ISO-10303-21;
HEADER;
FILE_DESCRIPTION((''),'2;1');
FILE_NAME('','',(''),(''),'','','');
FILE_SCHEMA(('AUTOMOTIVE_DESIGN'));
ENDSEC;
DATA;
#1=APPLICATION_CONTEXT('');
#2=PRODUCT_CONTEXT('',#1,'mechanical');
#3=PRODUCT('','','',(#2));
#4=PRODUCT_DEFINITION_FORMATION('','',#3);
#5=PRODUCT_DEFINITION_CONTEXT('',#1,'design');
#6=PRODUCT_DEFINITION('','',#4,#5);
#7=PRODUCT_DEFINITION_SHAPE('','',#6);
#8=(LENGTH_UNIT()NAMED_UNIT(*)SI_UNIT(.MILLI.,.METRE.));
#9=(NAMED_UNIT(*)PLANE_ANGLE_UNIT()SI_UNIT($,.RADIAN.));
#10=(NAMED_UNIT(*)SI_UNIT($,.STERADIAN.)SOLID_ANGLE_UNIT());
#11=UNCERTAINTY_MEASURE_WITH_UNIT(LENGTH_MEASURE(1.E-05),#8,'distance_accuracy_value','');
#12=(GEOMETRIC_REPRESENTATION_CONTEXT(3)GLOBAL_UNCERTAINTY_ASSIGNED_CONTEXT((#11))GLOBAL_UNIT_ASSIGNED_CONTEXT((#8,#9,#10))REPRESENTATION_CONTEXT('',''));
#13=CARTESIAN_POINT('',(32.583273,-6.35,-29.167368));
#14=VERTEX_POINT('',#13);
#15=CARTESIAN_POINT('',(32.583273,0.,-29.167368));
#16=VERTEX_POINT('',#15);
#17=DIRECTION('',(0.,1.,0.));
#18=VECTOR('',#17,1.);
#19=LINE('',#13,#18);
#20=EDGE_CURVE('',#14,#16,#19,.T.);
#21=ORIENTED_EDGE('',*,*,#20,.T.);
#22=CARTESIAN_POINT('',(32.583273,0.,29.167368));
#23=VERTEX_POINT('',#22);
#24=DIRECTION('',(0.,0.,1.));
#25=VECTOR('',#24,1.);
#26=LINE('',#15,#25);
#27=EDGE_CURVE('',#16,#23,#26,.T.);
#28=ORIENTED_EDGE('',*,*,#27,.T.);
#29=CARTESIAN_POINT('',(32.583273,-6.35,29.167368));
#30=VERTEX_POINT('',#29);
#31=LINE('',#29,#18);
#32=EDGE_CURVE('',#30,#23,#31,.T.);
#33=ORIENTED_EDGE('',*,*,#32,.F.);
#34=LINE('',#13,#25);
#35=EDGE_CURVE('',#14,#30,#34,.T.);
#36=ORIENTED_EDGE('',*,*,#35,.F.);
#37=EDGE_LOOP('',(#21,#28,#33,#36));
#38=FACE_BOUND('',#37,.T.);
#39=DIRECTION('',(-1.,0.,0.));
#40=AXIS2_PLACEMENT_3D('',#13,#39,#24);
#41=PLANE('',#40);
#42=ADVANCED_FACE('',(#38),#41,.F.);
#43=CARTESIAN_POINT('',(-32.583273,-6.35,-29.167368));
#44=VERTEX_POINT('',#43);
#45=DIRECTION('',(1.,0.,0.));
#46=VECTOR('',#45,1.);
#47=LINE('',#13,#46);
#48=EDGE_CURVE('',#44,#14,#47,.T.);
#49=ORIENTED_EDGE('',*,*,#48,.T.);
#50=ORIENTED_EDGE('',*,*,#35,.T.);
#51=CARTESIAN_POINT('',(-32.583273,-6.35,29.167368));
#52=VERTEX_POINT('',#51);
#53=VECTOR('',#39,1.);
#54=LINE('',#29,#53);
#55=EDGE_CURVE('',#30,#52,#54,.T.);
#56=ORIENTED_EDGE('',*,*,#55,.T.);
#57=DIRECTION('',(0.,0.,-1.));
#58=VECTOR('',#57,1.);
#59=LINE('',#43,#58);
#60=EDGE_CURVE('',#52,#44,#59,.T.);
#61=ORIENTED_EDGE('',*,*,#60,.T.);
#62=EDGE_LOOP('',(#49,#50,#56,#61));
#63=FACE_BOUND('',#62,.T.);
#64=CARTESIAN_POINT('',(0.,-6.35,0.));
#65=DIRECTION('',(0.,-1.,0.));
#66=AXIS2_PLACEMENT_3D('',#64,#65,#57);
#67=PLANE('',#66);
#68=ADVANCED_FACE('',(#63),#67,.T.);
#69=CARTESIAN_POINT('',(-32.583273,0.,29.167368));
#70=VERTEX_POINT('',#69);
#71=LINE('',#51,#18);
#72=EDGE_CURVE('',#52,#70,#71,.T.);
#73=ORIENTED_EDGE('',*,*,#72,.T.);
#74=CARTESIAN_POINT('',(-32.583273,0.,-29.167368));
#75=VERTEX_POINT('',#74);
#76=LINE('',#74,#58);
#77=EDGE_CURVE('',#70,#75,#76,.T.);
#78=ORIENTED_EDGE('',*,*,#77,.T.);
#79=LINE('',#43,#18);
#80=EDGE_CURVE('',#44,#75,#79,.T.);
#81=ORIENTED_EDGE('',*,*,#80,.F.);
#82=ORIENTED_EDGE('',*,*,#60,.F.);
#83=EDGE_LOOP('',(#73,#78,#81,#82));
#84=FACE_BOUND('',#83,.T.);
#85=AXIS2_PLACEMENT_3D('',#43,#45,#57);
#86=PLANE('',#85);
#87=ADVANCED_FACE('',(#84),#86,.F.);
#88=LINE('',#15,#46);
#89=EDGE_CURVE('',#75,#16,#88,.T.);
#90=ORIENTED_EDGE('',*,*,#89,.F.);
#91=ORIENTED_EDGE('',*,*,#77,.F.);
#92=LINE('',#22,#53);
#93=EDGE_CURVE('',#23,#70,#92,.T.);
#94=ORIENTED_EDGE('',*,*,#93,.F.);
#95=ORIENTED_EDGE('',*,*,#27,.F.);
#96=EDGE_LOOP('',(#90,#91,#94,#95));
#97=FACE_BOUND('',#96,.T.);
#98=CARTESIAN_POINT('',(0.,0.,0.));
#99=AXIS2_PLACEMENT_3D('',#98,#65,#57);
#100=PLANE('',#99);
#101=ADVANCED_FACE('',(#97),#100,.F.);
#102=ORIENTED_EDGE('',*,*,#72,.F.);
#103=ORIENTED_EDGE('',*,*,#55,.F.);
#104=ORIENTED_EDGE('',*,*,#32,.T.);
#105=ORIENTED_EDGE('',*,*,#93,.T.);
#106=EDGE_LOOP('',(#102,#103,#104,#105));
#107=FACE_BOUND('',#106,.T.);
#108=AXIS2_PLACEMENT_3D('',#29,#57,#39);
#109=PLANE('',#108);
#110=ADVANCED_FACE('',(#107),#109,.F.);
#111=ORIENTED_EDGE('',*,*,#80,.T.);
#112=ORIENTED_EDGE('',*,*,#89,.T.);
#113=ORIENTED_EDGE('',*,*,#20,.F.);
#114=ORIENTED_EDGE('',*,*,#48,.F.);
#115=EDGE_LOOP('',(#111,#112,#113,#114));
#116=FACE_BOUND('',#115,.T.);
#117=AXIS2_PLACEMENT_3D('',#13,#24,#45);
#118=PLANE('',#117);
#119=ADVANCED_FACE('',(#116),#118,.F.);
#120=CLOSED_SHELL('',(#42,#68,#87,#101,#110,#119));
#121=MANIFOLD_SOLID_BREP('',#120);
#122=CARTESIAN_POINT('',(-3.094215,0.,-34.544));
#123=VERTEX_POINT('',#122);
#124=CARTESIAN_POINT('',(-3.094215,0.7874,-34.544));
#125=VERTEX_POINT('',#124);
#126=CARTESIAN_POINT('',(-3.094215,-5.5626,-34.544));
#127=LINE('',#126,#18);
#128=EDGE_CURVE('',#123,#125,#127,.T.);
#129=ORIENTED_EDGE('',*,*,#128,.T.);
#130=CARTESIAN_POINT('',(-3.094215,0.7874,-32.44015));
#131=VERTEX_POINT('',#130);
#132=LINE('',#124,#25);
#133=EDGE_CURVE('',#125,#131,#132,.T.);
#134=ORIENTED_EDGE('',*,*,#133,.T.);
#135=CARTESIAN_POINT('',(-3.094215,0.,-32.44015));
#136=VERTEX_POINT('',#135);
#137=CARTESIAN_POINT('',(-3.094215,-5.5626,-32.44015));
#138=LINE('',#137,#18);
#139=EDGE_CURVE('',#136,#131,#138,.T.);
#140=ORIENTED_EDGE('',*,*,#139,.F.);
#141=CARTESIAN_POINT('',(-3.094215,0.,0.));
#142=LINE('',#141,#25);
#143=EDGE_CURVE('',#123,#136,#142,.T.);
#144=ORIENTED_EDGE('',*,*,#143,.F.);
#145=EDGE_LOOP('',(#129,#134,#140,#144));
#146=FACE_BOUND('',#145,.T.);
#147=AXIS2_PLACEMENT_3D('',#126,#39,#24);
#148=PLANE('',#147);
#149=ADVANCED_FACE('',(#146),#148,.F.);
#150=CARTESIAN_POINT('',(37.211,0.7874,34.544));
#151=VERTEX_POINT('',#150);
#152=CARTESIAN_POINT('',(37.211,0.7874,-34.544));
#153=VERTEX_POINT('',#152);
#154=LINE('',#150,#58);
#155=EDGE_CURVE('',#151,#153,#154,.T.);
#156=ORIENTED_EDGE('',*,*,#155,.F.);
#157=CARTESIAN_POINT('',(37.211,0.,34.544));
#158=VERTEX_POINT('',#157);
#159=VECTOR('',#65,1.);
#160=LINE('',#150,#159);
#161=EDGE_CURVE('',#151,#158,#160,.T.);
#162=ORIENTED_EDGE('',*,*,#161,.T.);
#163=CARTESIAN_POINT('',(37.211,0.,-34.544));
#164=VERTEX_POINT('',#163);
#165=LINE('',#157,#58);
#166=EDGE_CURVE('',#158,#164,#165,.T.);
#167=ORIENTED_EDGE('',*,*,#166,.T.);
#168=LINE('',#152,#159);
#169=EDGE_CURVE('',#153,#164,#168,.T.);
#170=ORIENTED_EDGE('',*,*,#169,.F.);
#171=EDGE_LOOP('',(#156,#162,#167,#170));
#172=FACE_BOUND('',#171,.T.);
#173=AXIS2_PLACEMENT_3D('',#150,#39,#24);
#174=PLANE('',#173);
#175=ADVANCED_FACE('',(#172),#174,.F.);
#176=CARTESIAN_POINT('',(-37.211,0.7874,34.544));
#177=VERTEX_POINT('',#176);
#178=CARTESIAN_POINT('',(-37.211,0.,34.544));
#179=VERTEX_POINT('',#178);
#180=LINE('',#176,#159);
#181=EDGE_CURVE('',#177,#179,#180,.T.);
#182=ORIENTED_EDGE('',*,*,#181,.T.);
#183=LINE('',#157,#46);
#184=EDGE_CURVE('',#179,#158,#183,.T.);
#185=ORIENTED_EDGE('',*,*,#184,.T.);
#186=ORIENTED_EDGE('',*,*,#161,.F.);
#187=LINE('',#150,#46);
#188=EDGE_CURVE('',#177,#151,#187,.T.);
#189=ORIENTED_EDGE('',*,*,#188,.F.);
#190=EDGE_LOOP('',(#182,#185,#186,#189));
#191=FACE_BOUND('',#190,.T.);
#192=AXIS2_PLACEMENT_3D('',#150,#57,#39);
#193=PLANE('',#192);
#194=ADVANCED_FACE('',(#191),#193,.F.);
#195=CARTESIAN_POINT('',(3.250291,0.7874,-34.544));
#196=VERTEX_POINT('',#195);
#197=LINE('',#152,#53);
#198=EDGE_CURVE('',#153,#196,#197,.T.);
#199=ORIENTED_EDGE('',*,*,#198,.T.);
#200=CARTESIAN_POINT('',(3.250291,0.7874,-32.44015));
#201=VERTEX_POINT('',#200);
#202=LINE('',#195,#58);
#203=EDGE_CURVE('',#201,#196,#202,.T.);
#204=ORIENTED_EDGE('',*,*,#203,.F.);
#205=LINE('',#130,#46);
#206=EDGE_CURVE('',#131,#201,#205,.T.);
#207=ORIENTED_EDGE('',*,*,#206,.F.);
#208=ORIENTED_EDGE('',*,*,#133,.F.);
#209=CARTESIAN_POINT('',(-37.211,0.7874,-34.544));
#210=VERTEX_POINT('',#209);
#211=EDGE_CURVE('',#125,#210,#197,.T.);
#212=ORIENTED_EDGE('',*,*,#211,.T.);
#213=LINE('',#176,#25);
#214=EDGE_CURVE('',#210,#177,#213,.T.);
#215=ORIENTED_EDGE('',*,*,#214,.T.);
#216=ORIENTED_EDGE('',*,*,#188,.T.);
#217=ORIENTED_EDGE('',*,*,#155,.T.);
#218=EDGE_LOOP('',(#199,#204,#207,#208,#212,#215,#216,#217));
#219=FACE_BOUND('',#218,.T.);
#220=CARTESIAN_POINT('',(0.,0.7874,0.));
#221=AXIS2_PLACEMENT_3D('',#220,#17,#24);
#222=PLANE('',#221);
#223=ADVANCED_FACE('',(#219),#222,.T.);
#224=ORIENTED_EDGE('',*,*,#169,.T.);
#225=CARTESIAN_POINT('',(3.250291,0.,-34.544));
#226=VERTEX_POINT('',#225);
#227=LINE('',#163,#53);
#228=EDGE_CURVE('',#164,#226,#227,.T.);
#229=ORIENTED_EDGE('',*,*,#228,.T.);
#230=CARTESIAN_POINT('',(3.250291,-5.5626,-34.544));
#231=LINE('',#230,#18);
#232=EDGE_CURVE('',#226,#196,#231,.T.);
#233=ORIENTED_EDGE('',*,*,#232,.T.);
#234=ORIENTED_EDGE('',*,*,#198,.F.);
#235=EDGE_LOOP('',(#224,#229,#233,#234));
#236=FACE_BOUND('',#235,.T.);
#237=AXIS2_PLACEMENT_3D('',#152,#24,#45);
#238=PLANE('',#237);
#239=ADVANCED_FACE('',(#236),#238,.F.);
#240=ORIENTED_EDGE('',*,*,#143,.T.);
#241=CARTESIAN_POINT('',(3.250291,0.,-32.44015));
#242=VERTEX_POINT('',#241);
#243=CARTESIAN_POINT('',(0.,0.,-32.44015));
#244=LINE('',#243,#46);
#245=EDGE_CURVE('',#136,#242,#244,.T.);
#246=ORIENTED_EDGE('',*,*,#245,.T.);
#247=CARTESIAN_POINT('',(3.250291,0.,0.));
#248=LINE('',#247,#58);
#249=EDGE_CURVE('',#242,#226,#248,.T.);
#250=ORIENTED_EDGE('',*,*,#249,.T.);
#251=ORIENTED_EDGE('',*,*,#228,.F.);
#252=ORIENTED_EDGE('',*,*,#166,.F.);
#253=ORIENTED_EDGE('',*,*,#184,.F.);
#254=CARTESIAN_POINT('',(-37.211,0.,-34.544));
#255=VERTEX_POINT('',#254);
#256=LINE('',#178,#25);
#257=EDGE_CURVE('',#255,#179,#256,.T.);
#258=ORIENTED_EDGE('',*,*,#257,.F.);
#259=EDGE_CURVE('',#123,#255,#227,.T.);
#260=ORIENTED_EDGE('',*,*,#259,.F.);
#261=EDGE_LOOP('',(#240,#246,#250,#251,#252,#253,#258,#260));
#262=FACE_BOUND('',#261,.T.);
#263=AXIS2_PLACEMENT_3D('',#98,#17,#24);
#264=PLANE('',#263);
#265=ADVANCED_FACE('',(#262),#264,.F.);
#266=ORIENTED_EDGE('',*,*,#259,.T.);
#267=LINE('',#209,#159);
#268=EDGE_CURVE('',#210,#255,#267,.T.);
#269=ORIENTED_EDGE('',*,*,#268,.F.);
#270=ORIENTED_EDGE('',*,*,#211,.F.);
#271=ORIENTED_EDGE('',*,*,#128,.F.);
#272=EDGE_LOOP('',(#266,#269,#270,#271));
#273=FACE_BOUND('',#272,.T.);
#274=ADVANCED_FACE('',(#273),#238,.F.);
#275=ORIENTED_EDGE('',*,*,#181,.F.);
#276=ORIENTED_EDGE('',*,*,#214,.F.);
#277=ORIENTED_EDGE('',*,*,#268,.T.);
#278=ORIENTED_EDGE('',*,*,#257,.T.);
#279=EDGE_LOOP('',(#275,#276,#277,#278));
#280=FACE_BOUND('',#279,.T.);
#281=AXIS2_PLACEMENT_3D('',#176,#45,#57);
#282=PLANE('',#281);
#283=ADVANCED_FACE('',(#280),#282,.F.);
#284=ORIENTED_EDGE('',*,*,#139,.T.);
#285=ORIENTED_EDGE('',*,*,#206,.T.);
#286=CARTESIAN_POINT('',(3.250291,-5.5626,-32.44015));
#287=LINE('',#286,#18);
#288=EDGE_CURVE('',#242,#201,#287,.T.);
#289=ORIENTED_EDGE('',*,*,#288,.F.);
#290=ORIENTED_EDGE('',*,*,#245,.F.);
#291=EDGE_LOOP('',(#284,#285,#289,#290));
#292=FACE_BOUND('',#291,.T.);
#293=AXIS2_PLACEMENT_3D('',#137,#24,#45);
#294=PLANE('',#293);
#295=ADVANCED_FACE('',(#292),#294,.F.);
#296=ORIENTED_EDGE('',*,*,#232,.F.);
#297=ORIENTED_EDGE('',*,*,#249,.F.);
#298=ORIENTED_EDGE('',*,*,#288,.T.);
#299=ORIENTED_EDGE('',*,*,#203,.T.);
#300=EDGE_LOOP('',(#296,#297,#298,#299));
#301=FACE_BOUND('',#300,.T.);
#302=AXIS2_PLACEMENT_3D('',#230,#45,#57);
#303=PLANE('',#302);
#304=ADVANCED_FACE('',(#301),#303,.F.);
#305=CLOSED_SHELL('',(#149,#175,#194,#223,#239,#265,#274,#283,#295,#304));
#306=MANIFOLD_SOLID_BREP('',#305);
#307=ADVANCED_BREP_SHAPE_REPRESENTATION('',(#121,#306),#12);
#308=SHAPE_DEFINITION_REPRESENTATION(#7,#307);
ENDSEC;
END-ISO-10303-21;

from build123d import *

# Parameters (mm, degrees)
SKETCH1_W           = 74.422
SKETCH1_H           = 69.088
BOSS_EXTRUDE1_DEPTH = 0.7874
SKETCH2_W           = 65.16654669
SKETCH2_H           = 58.334735
BOSS_EXTRUDE2_DEPTH = 6.35
SKETCH3_W           = 6.344505944
SKETCH3_H           = 2.10385028
CUT_EXTRUDE1_DEPTH  = 6.35


with BuildPart() as part:
    # Sketch1 → Boss-Extrude1 (new body)
    with BuildSketch(Plane(origin=(0, 0, 0), x_dir=(1, 0, 0), z_dir=(0, 1, 0))):
        Rectangle(SKETCH1_W, SKETCH1_H)
    extrude(amount=BOSS_EXTRUDE1_DEPTH)

    # Sketch3 → Cut-Extrude1 (cut)
    with BuildSketch(Plane(origin=(0, 0.7874, 0), x_dir=(1, 0, 0), z_dir=(0, 1, 0))):
        with Locations((0.078037772, 33.49207486)):
            Rectangle(SKETCH3_W, SKETCH3_H)
    extrude(amount=-CUT_EXTRUDE1_DEPTH, mode=Mode.SUBTRACT)


with BuildPart() as body_2:
    # Sketch2 → Boss-Extrude2 (new body)
    with BuildSketch(Plane.XZ):
        Rectangle(SKETCH2_W, SKETCH2_H)
    extrude(amount=BOSS_EXTRUDE2_DEPTH)


solid = Compound([part.part, body_2.part])
